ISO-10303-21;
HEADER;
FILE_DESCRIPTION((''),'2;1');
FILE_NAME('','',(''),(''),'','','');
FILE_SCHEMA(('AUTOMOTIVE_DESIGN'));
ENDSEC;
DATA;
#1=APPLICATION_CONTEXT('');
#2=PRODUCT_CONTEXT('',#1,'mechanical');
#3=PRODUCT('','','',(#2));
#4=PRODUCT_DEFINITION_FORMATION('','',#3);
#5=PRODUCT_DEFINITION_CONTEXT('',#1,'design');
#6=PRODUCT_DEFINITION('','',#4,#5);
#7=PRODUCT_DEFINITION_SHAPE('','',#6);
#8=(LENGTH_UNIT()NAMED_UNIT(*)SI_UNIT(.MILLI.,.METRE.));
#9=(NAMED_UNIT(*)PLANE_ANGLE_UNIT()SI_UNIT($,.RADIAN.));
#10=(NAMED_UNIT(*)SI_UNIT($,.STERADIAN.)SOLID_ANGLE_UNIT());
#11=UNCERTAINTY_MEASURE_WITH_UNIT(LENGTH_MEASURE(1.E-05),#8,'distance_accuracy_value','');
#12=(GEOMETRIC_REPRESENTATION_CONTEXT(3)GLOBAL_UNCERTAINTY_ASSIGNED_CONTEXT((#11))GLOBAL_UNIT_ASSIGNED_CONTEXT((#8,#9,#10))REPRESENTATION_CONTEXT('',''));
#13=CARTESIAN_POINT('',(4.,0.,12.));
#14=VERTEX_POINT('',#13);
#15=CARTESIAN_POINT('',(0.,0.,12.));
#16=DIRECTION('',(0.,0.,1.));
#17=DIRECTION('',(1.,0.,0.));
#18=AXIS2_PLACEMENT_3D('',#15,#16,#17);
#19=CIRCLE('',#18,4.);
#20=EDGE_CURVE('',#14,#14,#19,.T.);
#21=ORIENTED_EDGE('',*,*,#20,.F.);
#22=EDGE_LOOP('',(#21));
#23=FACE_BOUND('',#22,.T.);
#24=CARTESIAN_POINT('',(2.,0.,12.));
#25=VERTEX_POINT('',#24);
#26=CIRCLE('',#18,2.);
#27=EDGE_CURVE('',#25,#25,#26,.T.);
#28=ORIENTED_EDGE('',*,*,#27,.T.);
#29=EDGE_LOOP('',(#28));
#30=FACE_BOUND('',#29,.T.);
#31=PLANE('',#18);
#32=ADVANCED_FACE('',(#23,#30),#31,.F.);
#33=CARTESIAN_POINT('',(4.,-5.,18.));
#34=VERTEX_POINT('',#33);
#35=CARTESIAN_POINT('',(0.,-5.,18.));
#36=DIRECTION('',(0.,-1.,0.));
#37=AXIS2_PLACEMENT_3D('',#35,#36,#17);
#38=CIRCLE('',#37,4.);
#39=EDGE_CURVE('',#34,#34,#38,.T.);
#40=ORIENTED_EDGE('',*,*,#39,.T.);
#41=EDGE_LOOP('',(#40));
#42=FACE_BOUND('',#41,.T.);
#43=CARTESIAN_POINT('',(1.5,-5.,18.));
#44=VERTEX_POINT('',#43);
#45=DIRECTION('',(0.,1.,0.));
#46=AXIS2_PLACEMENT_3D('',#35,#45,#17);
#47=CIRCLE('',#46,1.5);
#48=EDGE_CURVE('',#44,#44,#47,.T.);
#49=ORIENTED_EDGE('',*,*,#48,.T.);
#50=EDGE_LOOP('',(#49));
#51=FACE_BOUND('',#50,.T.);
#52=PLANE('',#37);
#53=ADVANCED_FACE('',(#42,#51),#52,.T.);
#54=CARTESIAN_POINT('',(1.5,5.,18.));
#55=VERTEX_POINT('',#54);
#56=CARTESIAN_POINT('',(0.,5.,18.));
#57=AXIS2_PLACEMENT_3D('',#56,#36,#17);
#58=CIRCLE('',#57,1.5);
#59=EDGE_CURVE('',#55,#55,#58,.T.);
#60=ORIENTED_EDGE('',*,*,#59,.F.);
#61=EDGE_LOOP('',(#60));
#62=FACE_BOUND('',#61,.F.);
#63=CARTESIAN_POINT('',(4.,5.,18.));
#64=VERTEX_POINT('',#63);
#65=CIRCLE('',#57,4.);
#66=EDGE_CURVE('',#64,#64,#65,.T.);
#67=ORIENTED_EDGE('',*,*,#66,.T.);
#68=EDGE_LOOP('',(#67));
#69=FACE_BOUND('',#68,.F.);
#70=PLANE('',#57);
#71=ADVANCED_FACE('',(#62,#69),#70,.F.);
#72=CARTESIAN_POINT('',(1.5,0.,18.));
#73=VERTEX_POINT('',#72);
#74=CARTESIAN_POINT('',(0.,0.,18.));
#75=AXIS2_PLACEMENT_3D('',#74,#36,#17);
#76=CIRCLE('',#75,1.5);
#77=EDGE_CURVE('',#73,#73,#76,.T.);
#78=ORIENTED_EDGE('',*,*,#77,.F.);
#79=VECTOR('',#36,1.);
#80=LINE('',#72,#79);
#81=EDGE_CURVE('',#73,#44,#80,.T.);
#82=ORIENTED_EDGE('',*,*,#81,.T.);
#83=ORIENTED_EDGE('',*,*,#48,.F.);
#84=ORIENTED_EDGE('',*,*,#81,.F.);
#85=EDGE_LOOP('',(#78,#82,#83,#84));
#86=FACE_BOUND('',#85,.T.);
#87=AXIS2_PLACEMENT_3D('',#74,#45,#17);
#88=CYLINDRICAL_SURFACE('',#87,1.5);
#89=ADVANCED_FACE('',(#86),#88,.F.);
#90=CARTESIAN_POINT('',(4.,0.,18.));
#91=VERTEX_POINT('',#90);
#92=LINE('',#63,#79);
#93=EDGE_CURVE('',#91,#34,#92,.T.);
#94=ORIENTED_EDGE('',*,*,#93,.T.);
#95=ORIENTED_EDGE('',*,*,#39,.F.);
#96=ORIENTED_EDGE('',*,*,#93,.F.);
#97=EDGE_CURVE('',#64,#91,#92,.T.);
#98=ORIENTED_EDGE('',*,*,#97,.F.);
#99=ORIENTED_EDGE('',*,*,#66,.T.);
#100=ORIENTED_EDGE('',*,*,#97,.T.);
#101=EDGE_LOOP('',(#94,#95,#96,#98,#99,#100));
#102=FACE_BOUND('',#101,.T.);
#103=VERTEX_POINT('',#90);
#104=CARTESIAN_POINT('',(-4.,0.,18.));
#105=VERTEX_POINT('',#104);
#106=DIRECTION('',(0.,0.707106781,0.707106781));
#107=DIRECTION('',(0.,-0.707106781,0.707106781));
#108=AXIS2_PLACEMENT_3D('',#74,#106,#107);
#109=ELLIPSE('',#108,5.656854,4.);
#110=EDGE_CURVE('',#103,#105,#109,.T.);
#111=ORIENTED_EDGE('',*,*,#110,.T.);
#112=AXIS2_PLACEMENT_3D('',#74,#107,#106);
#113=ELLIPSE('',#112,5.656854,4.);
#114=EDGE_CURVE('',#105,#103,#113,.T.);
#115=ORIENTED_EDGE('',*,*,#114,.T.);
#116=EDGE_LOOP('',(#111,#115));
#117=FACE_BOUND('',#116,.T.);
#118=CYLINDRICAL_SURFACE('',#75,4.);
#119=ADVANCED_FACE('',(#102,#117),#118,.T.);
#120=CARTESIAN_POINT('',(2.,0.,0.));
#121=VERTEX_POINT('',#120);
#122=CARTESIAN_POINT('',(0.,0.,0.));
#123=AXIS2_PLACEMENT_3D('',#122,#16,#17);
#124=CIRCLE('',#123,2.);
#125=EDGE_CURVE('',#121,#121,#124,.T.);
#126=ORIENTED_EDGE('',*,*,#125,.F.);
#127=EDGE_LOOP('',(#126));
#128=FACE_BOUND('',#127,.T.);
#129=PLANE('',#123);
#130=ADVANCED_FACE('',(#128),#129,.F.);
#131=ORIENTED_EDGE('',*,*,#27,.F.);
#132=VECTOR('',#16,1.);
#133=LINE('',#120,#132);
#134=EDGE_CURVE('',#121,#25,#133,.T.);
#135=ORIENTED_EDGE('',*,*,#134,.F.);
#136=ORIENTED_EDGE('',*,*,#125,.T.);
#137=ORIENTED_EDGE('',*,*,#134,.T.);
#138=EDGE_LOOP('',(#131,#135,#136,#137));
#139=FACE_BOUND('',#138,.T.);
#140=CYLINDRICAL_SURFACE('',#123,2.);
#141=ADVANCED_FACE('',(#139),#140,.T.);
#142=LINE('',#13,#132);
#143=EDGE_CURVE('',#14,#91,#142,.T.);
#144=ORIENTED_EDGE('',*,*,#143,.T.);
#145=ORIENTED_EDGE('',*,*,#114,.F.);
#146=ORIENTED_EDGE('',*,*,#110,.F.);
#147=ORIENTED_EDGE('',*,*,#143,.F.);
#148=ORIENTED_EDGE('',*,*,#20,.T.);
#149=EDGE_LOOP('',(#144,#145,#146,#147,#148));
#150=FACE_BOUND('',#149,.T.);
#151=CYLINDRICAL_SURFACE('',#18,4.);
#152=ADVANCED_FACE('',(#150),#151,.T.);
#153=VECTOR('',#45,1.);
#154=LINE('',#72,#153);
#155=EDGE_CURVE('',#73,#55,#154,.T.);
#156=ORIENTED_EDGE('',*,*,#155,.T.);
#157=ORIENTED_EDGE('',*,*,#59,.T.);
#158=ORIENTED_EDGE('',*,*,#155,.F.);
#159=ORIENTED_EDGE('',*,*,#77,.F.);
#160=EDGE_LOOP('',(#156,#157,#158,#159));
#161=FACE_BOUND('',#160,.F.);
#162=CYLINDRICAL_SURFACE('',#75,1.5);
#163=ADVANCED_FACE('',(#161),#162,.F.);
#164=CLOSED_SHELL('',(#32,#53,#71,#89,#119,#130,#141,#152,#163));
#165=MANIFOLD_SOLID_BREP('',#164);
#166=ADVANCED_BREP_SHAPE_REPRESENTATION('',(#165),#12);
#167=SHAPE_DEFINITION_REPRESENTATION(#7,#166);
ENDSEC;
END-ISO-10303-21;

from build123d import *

# Parameters (mm, degrees)
SKETCH001_R       = 4
PAD_DEPTH         = 5
SKETCH002_R       = 1.5
POCKET_DEPTH      = 5.001
POCKET_DEPTH_BACK = -5.001


with BuildPart() as part:
    # Sketch (on DatumPlane) → Revolution (revolve)
    with BuildSketch(Plane.XZ):
        Polygon((0, 0), (2, 0), (2, 12), (4, 12), (4, 18), (0, 18), align=None)
    revolve(axis=Axis((0, 0, 0), (0, 0, 1)))

    # Sketch001 (on DatumPlane) → Pad (new body, symmetric)
    with BuildSketch(Plane.XZ):
        with Locations((0, 18)):
            Circle(SKETCH001_R)
    extrude(amount=PAD_DEPTH, both=True)

    # Sketch002 (on DatumPlane) → Pocket (cut, two sides)
    with BuildSketch(Plane.XZ) as pocket_sk:
        with Locations((0, 18)):
            Circle(SKETCH002_R)
    extrude(amount=-POCKET_DEPTH, mode=Mode.SUBTRACT)
    extrude(pocket_sk.sketch, amount=-POCKET_DEPTH_BACK, mode=Mode.SUBTRACT)


solid = part.part
